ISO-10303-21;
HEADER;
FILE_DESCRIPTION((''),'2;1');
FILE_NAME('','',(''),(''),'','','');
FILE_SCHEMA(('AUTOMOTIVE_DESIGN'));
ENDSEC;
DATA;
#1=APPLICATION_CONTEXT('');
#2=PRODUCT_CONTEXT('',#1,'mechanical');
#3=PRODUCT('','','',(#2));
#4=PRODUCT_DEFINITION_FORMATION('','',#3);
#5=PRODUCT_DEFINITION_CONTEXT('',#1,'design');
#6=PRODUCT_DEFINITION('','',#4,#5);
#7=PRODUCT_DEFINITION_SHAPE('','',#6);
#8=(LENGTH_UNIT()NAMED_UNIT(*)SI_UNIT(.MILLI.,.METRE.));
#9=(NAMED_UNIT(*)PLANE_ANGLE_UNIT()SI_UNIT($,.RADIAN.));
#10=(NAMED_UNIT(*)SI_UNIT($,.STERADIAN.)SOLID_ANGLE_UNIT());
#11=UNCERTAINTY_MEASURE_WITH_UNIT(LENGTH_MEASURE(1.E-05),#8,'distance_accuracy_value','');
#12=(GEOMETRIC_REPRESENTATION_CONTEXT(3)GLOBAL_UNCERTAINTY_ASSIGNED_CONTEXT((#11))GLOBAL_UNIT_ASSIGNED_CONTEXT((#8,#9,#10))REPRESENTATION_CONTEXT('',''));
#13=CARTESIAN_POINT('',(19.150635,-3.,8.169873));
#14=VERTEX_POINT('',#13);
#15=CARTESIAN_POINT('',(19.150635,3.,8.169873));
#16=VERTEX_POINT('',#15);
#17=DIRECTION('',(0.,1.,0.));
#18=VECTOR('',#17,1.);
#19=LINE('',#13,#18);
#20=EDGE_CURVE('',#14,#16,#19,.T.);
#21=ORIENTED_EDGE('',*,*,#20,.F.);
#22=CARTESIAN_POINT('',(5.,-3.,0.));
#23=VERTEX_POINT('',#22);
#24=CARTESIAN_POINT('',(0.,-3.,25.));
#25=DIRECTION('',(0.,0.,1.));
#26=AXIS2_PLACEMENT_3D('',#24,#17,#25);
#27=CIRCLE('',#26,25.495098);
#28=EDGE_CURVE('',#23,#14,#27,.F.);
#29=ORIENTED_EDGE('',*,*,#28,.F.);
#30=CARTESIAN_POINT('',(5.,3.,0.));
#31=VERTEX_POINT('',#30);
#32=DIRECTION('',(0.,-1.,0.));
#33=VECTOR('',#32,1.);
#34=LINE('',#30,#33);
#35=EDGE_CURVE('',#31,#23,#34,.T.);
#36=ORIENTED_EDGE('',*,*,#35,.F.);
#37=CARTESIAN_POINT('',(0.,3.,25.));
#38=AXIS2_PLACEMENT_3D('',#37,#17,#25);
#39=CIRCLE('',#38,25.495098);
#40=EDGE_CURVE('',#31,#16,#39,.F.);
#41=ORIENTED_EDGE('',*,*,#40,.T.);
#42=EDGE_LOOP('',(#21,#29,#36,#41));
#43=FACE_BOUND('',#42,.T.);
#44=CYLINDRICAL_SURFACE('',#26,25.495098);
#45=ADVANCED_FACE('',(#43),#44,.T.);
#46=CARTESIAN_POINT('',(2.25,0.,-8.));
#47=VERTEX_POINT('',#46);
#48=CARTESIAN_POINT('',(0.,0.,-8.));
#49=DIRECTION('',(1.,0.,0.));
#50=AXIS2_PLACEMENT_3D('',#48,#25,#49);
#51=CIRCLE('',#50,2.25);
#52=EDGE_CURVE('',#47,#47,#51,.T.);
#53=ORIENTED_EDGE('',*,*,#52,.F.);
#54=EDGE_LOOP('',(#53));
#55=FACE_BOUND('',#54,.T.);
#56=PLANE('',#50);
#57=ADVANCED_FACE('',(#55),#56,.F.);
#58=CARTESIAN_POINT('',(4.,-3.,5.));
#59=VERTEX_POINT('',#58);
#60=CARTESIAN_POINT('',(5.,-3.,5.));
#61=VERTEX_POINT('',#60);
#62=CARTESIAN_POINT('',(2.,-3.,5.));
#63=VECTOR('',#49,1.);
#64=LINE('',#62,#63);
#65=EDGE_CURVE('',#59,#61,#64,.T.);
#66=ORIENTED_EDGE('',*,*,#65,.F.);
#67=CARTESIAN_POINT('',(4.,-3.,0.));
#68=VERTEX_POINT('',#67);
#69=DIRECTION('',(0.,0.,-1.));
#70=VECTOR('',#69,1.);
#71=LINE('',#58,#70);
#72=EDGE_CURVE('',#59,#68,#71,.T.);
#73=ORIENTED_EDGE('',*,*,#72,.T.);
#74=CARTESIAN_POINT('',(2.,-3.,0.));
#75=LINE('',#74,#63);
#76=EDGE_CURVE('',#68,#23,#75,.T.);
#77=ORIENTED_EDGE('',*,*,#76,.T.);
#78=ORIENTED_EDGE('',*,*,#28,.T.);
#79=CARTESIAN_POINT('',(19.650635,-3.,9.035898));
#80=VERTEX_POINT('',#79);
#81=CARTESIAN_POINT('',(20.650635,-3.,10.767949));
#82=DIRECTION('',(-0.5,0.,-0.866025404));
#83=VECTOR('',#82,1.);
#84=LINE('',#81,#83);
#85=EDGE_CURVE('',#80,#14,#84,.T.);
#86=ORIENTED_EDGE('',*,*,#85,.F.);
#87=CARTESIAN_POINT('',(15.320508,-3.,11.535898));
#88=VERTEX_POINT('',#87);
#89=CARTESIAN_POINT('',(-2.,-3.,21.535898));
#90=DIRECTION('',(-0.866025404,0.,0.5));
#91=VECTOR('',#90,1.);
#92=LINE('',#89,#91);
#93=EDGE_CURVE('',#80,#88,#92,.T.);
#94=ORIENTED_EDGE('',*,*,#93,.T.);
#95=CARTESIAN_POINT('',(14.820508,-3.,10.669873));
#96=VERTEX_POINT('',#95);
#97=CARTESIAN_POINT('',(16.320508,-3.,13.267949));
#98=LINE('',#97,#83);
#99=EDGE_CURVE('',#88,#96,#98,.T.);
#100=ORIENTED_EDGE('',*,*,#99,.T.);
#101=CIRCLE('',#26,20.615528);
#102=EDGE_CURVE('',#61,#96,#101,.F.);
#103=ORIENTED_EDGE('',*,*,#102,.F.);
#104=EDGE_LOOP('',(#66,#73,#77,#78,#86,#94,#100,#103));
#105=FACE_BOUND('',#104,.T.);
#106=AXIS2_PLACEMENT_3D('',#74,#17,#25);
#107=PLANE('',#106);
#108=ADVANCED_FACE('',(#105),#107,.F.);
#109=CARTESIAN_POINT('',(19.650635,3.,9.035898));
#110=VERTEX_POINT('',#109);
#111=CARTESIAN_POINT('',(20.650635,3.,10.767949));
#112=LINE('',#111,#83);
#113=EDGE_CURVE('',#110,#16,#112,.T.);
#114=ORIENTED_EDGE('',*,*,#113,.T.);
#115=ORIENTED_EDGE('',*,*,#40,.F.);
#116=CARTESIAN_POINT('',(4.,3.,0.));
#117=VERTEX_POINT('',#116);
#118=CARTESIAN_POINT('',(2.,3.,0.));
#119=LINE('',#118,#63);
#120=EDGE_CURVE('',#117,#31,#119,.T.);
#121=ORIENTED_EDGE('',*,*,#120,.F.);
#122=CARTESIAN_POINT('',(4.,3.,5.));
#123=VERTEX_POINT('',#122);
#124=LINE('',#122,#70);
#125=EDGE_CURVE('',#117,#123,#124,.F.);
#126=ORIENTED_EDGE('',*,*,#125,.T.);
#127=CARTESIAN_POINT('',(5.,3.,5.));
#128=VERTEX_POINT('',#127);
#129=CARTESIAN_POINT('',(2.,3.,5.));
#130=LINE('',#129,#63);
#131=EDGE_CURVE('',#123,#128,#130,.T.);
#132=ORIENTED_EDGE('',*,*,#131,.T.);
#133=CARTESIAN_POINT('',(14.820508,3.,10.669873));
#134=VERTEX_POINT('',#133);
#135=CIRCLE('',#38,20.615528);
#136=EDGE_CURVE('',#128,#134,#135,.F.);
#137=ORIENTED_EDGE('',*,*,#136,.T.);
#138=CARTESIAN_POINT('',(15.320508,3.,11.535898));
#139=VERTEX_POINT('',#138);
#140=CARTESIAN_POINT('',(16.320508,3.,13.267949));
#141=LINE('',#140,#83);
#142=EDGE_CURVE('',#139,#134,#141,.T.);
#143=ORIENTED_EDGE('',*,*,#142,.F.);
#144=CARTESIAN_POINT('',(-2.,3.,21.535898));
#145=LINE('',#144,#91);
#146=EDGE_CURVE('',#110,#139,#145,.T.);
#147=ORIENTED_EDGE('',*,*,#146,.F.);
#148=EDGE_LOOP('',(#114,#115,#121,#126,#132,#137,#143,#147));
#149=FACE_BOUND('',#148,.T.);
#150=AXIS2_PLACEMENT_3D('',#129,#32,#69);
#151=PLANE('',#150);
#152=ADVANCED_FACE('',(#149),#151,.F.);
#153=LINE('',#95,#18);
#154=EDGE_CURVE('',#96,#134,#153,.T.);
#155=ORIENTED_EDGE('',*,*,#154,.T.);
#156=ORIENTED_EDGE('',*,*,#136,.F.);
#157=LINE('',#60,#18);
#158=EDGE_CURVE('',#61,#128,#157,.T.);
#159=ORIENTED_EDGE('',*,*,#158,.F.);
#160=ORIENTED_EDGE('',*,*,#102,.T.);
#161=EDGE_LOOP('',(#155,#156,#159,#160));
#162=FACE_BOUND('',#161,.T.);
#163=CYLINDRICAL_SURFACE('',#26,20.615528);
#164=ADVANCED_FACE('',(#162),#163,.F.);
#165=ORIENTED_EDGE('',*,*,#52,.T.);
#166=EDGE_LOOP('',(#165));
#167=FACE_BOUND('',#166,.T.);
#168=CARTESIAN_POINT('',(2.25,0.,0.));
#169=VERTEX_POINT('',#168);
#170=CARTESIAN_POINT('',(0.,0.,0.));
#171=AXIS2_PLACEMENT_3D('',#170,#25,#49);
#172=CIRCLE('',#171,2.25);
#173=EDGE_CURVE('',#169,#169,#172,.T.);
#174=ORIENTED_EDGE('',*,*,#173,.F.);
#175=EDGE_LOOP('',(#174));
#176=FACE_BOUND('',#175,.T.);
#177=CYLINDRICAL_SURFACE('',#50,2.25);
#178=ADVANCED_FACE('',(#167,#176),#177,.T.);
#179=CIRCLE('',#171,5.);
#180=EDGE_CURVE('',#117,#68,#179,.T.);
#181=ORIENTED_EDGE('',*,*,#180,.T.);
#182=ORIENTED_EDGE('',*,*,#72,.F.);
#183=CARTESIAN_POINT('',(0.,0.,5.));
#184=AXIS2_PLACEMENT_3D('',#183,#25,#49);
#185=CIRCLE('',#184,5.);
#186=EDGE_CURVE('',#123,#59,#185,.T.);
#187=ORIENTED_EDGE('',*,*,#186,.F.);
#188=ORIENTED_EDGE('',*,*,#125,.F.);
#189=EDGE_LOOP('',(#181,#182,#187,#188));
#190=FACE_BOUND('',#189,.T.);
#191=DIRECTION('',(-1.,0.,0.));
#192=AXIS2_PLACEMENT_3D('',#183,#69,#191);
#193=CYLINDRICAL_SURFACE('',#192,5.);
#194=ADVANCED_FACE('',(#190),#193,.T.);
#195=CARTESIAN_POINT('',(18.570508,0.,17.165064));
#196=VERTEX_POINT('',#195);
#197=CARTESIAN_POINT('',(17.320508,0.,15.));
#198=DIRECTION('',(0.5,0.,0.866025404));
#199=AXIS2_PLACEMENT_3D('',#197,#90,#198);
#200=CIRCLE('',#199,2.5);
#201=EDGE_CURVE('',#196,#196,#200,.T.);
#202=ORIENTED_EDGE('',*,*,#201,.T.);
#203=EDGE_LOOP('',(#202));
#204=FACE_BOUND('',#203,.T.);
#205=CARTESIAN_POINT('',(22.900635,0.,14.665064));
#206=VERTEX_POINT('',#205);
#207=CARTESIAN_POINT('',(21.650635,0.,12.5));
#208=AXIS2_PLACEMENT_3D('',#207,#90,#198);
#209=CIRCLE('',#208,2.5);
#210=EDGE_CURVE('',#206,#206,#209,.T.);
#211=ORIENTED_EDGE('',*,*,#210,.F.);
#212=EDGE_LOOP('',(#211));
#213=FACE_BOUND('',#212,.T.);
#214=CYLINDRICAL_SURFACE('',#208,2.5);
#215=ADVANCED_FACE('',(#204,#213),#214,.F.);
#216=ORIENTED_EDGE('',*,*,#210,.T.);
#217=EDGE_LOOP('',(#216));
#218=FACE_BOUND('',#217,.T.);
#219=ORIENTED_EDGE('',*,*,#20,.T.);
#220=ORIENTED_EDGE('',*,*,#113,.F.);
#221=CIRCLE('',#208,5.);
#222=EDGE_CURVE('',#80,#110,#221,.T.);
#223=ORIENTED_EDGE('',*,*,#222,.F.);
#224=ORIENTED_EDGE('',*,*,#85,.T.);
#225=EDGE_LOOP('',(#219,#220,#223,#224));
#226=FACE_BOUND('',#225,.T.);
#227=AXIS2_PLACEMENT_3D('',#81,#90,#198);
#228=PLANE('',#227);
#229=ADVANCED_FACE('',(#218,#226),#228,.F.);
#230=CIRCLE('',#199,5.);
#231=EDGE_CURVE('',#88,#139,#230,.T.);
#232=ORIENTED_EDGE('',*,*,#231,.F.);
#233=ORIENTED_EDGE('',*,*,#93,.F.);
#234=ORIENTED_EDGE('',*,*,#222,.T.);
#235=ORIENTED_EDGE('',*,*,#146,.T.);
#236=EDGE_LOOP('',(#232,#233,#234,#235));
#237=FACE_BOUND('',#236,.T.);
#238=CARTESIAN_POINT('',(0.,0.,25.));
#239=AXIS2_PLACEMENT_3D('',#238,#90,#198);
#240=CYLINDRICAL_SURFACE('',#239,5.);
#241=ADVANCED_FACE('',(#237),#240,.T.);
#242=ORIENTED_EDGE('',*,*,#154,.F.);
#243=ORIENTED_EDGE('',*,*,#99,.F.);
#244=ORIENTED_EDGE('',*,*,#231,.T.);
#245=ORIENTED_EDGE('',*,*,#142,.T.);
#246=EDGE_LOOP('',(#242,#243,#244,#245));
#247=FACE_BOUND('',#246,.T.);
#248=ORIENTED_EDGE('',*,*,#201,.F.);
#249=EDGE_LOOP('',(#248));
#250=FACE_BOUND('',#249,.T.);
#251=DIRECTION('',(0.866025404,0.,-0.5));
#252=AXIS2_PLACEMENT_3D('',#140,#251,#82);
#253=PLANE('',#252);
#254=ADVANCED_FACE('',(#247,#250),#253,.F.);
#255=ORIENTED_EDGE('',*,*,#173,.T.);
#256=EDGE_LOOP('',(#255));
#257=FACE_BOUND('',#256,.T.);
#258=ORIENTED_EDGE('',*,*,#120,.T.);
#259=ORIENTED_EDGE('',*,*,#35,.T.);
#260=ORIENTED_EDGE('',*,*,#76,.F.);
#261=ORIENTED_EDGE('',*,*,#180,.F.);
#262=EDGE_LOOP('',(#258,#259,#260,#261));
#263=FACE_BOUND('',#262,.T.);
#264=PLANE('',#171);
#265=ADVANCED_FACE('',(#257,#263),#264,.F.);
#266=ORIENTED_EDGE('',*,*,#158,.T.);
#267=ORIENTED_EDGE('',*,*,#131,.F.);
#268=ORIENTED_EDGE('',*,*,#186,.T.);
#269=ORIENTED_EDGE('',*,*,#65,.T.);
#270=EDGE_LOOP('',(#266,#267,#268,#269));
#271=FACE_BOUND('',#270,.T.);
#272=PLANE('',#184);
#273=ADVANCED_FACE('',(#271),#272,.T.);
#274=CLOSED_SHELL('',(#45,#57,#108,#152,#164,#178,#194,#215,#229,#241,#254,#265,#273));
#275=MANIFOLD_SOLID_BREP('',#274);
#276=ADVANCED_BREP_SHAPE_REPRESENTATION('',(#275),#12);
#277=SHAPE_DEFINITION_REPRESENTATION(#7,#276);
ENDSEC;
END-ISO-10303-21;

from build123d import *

# Parameters (mm, degrees)
SKETCH_2_R           = 5
EXTRUDE_3_DEPTH      = 5
EXTRUDE_4_DEPTH      = 3
EXTRUDE_4_DEPTH_BACK = 3
SKETCH_4_W           = 5
SKETCH_4_H           = 6
EXTRUDE_5_DEPTH      = 3
SKETCH_5_W           = 5
SKETCH_5_H           = 6
EXTRUDE_6_DEPTH      = 3
SKETCH_6_R           = 2.5
CUT_EXTRUDE_1_DEPTH  = 5
EXTRUDE_START        = -5
SKETCH_7_R           = 2.25
EXTRUDE_7_DEPTH      = 8


with BuildPart() as part:
    # 草图2 → 凸台-拉伸3 (new body)
    with BuildSketch(Plane.XY):
        Circle(SKETCH_2_R)
    extrude(amount=EXTRUDE_3_DEPTH)



with BuildPart() as body_2:
    # 草图3 → 凸台-拉伸4 (new, two sides: drawn at the far end of the back side and taken through both)
    with BuildSketch(Plane(origin=(0, 0, 0), x_dir=(1, 0, 0), z_dir=(0, 1, 0)).offset(-EXTRUDE_4_DEPTH_BACK)):
        with BuildLine():
            ThreePointArc((5, 0), (12.747548784, -2.920597834), (19.150635095, -8.169872981))
            Line((19.150635095, -8.169872981), (14.820508076, -10.669872981))
            ThreePointArc((14.820508076, -10.669872981), (10.307764064, -7.146428929), (5, -5))
            Line((5, -5), (5, 0))
        make_face()
    extrude(amount=EXTRUDE_4_DEPTH + EXTRUDE_4_DEPTH_BACK)



with BuildPart() as body_3:
    # 草图3<3> → 旋转1 (revolve)
    with BuildSketch(Plane(origin=(0, 0, 0), x_dir=(1, 0, 0), z_dir=(0, 1, 0)), mode=Mode.PRIVATE) as revolve_1_sk:
        Polygon((19.150635095, -8.169872981), (14.820508076, -10.669872981), (17.320508076, -15), (21.650635095, -12.5), align=None)
    revolve(revolve_1_sk.sketch.rotate(Axis((0, 0, 25), (0.8660254037844378, 0, -0.5000000000000017)), 180), axis=Axis((0, 0, 25), (0.8660254037844378, 0, -0.5000000000000017)))


with BuildPart() as body_2_1:
    add(body_2.part)

    add(body_3.part)  # 凸台-拉伸5 merges body 3
    # 草图4 → 凸台-拉伸5 (add)
    with BuildSketch(Plane(origin=(8.325317547, 0, 14.419872981), x_dir=(0.8660254037844343, 0, -0.5000000000000075), z_dir=(0.5000000000000075, 0, 0.8660254037844343))):
        with Locations((10, 0)):
            Rectangle(SKETCH_4_W, SKETCH_4_H)
    extrude(amount=EXTRUDE_5_DEPTH)


with BuildPart() as part_1:
    add(part.part)

    add(body_2_1.part)  # 凸台-拉伸6 merges body 2
    # 草图5 → 凸台-拉伸6 (add)
    with BuildSketch(Plane.ZY.offset(-5)):
        with Locations((2.5, 0)):
            Rectangle(SKETCH_5_W, SKETCH_5_H)
    extrude(amount=EXTRUDE_6_DEPTH)

    # 草图6 → 切除-拉伸1 (cut)
    with BuildSketch(Plane(origin=(6.495190528, 0, -3.75), x_dir=(0.5000000000000075, 0, 0.8660254037844343), z_dir=(-0.8660254037844343, 0, 0.5000000000000075))):
        with Locations((21.650635095, 0)):
            Circle(SKETCH_6_R)
    extrude(amount=-CUT_EXTRUDE_1_DEPTH, mode=Mode.SUBTRACT)

    # 草图7 → 凸台-拉伸7 (add)
    with BuildSketch(Plane.XY.offset(5).offset(EXTRUDE_START)):
        Circle(SKETCH_7_R)
    extrude(amount=-EXTRUDE_7_DEPTH)


solid = part_1.part
